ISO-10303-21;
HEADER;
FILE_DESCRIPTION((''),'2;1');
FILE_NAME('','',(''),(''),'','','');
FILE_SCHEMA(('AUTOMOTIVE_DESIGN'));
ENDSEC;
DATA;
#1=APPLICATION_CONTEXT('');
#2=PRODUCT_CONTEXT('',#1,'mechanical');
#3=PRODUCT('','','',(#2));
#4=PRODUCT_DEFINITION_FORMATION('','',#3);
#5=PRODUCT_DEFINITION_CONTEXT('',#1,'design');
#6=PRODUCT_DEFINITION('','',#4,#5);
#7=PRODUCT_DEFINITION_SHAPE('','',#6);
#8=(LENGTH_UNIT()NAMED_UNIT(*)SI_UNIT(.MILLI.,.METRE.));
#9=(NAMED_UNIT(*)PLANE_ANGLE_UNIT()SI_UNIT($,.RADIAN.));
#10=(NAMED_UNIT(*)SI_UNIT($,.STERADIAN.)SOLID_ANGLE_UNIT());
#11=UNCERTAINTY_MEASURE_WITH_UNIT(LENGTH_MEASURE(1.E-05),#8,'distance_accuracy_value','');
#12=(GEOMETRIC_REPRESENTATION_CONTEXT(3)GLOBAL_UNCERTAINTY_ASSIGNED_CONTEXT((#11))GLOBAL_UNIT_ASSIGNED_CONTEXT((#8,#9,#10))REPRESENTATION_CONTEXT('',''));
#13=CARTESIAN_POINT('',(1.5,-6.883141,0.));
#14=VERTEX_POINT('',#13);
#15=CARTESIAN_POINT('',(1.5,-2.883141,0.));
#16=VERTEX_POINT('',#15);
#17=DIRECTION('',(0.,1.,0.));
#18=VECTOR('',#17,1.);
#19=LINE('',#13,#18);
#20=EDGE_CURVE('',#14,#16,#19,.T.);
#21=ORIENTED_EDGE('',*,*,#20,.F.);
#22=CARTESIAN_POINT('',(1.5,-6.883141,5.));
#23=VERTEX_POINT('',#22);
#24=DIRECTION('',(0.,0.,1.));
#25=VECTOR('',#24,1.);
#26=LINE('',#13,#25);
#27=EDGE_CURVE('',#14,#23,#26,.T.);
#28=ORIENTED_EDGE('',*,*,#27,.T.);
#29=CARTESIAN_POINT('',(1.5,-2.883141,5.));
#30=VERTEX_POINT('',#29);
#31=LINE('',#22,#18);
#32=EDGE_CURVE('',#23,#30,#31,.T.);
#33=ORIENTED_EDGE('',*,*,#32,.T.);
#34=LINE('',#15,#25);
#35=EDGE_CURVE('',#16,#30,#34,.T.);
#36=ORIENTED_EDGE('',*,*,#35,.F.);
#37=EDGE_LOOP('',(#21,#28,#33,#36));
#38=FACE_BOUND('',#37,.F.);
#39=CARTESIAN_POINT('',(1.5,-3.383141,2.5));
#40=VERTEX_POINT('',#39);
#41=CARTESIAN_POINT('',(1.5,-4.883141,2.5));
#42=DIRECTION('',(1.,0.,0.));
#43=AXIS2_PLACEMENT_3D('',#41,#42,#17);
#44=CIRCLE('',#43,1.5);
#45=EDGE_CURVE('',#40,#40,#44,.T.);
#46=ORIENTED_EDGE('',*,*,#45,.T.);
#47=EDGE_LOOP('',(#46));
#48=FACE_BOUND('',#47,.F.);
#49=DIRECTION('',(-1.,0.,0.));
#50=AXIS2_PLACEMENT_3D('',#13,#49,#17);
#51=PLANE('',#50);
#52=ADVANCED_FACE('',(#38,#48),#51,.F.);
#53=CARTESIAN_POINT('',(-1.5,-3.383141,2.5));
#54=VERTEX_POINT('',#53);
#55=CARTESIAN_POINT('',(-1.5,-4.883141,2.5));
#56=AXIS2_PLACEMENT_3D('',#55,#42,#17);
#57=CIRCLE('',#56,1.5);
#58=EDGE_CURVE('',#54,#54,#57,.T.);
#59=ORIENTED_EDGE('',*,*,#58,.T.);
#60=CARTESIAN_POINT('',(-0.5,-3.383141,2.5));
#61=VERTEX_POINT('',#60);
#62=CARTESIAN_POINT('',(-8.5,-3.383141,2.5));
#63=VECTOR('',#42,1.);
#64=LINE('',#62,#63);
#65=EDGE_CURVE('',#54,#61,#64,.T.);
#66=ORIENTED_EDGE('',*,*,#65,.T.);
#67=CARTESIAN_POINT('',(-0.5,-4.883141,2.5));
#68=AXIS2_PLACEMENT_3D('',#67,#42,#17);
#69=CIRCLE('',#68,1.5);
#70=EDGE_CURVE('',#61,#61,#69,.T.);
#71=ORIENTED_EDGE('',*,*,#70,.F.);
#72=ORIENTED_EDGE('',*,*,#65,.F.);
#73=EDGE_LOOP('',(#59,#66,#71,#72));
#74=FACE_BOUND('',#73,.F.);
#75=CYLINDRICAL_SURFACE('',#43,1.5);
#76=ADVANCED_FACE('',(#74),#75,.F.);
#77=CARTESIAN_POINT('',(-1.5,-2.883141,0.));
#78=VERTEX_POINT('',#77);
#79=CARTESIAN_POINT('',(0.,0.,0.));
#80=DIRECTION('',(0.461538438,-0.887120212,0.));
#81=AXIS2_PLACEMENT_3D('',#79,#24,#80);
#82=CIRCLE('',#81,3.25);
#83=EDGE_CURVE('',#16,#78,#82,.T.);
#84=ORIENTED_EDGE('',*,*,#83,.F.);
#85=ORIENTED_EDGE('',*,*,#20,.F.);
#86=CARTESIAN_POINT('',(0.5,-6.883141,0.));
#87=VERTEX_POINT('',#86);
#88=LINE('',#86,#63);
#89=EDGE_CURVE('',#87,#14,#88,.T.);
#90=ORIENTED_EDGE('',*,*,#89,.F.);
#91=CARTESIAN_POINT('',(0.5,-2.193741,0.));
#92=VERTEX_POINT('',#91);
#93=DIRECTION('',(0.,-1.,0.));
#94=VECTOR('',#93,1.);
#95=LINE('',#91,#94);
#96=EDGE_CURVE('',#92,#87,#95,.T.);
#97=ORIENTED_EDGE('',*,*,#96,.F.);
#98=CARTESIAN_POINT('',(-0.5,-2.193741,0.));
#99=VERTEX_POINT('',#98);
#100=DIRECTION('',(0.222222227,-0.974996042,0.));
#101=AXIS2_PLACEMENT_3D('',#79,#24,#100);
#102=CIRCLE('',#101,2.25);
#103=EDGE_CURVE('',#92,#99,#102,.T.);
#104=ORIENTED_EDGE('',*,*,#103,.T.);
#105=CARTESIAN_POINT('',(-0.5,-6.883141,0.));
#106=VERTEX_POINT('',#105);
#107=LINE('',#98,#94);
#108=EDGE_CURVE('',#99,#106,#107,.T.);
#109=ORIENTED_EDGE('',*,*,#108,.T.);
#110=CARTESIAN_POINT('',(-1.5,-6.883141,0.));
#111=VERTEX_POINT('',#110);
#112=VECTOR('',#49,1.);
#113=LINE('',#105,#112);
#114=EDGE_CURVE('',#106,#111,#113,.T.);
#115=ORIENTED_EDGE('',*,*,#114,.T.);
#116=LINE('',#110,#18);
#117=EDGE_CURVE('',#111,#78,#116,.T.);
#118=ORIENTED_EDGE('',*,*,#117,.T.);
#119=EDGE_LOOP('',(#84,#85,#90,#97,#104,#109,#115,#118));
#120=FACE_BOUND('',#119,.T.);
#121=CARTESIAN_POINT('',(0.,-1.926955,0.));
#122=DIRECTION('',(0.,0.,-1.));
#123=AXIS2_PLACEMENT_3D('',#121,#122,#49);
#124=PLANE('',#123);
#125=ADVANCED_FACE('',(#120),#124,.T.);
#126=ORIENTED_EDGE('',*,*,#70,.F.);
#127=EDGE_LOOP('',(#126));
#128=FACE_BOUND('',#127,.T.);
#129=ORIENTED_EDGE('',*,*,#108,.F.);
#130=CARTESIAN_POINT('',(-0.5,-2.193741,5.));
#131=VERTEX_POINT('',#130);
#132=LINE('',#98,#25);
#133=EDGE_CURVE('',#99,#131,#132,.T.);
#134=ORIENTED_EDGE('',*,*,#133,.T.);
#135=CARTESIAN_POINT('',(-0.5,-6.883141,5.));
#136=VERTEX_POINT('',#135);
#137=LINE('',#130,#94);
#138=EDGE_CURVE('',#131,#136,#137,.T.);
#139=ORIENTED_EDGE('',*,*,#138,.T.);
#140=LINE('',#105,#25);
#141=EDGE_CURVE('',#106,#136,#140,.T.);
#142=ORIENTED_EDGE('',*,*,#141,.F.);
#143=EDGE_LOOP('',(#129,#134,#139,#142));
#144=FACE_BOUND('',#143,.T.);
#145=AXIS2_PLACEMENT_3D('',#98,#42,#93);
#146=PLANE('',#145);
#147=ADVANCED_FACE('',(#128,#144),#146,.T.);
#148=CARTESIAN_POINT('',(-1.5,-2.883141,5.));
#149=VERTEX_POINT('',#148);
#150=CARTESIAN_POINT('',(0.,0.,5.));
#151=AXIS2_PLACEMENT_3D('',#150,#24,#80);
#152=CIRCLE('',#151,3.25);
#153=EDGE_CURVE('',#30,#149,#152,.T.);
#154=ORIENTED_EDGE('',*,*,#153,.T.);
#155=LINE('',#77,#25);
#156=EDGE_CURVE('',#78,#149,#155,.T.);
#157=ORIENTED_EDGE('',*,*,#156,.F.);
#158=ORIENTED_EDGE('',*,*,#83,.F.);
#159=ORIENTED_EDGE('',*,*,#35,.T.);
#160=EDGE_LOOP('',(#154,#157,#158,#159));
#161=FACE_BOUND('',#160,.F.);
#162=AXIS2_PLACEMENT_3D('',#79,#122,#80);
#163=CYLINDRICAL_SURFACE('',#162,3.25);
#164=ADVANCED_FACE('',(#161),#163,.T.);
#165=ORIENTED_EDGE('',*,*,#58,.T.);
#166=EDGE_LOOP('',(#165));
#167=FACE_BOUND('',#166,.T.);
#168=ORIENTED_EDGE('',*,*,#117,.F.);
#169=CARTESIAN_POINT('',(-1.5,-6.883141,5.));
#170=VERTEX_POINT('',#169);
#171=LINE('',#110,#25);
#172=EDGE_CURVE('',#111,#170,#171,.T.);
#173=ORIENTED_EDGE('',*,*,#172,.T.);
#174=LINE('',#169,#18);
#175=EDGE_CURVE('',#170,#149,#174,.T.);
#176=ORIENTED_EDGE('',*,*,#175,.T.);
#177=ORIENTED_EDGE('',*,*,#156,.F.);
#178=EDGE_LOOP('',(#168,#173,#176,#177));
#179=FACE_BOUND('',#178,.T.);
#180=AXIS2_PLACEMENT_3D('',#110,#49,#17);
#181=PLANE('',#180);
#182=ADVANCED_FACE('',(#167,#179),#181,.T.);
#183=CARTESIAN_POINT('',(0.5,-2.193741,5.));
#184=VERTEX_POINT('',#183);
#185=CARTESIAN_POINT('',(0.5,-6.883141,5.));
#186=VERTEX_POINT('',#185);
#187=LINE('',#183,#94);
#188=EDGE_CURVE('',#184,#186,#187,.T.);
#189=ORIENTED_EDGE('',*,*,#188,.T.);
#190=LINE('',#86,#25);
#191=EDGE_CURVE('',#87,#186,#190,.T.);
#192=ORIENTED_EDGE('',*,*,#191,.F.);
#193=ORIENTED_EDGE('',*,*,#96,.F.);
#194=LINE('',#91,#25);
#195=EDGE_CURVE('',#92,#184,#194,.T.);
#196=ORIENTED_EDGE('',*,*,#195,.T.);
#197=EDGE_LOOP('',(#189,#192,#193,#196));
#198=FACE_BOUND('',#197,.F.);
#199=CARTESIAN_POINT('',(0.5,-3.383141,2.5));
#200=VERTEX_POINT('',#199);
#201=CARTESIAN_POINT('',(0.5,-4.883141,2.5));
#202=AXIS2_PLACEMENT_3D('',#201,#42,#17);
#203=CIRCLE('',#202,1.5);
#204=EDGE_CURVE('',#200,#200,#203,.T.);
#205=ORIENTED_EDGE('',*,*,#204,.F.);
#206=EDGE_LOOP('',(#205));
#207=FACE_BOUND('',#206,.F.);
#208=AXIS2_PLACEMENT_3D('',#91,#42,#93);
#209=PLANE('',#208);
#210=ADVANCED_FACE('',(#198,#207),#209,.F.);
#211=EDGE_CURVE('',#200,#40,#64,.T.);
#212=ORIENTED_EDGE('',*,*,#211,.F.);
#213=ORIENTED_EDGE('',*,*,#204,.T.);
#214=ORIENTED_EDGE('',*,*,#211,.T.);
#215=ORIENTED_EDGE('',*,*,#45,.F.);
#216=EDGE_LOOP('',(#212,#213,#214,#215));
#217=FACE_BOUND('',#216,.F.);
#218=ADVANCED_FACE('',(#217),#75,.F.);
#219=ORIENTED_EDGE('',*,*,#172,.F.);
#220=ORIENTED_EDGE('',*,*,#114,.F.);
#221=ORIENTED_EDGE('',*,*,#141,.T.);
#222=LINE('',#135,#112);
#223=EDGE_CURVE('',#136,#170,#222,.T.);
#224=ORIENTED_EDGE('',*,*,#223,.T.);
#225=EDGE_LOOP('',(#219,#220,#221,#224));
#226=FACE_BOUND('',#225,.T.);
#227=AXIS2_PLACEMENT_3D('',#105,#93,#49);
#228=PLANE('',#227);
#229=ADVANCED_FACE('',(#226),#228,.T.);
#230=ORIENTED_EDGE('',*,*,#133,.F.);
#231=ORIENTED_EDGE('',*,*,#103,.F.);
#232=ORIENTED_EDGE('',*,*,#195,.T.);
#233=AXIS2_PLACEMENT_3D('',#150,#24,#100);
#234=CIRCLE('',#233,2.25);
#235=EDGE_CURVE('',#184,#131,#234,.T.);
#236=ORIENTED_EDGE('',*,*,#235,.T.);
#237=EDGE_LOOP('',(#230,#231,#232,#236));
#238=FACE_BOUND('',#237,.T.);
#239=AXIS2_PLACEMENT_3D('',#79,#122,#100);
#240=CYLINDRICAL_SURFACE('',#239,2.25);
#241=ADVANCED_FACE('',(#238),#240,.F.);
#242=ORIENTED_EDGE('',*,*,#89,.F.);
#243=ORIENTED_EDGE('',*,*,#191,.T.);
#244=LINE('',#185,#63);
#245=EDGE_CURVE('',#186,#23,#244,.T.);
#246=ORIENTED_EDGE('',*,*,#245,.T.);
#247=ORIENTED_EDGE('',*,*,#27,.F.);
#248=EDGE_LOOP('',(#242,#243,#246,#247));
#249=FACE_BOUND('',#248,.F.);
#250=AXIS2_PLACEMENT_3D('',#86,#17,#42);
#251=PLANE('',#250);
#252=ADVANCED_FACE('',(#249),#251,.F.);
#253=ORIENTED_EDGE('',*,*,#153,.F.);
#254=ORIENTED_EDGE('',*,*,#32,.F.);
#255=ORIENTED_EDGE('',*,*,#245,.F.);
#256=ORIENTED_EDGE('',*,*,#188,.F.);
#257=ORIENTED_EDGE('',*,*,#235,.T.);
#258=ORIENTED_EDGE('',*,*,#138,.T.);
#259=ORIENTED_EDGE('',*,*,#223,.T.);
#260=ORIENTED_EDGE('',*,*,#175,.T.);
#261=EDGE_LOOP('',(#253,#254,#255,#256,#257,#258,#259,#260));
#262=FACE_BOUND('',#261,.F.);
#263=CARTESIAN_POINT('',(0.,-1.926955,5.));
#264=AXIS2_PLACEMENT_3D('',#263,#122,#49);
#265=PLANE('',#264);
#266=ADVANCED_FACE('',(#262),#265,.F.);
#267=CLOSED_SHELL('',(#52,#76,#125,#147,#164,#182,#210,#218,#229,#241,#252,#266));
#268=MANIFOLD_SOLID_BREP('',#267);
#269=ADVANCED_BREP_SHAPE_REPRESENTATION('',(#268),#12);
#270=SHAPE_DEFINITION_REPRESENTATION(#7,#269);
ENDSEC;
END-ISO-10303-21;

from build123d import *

# Parameters (mm, degrees)
SKETCH001_R      = 1.5
EXTRUDE001_DEPTH = 10
EXTRUDE_DEPTH    = 5


with BuildPart() as extrude001:
    # Sketch001 (on Face6 of Extrude) → Extrude001 (new body, symmetric)
    with BuildSketch(Plane.YZ.offset(1.5)):
        with Locations((-4.883141, 2.5)):
            Circle(SKETCH001_R)
    extrude(amount=EXTRUDE001_DEPTH, both=True)


with BuildPart() as cut:
    # Sketch → Extrude (new body)
    with BuildSketch(Plane.XY):
        with BuildLine():
            ThreePointArc((0.5, -2.193741), (0, 2.25), (-0.5, -2.193741))
            Line((-0.5, -2.193741), (-0.5, -6.883141))
            Line((-0.5, -6.883141), (-1.5, -6.883141))
            Line((-1.5, -6.883141), (-1.5, -2.883141))
            ThreePointArc((1.5, -2.883141), (0, 3.25), (-1.5, -2.883141))
            Line((1.5, -6.883141), (1.5, -2.883141))
            Line((0.5, -6.883141), (1.5, -6.883141))
            Line((0.5, -2.193741), (0.5, -6.883141))
        make_face()
    extrude(amount=EXTRUDE_DEPTH)

    # Cut: cut Extrude001
    add(extrude001.part, mode=Mode.SUBTRACT)


solid = cut.part
